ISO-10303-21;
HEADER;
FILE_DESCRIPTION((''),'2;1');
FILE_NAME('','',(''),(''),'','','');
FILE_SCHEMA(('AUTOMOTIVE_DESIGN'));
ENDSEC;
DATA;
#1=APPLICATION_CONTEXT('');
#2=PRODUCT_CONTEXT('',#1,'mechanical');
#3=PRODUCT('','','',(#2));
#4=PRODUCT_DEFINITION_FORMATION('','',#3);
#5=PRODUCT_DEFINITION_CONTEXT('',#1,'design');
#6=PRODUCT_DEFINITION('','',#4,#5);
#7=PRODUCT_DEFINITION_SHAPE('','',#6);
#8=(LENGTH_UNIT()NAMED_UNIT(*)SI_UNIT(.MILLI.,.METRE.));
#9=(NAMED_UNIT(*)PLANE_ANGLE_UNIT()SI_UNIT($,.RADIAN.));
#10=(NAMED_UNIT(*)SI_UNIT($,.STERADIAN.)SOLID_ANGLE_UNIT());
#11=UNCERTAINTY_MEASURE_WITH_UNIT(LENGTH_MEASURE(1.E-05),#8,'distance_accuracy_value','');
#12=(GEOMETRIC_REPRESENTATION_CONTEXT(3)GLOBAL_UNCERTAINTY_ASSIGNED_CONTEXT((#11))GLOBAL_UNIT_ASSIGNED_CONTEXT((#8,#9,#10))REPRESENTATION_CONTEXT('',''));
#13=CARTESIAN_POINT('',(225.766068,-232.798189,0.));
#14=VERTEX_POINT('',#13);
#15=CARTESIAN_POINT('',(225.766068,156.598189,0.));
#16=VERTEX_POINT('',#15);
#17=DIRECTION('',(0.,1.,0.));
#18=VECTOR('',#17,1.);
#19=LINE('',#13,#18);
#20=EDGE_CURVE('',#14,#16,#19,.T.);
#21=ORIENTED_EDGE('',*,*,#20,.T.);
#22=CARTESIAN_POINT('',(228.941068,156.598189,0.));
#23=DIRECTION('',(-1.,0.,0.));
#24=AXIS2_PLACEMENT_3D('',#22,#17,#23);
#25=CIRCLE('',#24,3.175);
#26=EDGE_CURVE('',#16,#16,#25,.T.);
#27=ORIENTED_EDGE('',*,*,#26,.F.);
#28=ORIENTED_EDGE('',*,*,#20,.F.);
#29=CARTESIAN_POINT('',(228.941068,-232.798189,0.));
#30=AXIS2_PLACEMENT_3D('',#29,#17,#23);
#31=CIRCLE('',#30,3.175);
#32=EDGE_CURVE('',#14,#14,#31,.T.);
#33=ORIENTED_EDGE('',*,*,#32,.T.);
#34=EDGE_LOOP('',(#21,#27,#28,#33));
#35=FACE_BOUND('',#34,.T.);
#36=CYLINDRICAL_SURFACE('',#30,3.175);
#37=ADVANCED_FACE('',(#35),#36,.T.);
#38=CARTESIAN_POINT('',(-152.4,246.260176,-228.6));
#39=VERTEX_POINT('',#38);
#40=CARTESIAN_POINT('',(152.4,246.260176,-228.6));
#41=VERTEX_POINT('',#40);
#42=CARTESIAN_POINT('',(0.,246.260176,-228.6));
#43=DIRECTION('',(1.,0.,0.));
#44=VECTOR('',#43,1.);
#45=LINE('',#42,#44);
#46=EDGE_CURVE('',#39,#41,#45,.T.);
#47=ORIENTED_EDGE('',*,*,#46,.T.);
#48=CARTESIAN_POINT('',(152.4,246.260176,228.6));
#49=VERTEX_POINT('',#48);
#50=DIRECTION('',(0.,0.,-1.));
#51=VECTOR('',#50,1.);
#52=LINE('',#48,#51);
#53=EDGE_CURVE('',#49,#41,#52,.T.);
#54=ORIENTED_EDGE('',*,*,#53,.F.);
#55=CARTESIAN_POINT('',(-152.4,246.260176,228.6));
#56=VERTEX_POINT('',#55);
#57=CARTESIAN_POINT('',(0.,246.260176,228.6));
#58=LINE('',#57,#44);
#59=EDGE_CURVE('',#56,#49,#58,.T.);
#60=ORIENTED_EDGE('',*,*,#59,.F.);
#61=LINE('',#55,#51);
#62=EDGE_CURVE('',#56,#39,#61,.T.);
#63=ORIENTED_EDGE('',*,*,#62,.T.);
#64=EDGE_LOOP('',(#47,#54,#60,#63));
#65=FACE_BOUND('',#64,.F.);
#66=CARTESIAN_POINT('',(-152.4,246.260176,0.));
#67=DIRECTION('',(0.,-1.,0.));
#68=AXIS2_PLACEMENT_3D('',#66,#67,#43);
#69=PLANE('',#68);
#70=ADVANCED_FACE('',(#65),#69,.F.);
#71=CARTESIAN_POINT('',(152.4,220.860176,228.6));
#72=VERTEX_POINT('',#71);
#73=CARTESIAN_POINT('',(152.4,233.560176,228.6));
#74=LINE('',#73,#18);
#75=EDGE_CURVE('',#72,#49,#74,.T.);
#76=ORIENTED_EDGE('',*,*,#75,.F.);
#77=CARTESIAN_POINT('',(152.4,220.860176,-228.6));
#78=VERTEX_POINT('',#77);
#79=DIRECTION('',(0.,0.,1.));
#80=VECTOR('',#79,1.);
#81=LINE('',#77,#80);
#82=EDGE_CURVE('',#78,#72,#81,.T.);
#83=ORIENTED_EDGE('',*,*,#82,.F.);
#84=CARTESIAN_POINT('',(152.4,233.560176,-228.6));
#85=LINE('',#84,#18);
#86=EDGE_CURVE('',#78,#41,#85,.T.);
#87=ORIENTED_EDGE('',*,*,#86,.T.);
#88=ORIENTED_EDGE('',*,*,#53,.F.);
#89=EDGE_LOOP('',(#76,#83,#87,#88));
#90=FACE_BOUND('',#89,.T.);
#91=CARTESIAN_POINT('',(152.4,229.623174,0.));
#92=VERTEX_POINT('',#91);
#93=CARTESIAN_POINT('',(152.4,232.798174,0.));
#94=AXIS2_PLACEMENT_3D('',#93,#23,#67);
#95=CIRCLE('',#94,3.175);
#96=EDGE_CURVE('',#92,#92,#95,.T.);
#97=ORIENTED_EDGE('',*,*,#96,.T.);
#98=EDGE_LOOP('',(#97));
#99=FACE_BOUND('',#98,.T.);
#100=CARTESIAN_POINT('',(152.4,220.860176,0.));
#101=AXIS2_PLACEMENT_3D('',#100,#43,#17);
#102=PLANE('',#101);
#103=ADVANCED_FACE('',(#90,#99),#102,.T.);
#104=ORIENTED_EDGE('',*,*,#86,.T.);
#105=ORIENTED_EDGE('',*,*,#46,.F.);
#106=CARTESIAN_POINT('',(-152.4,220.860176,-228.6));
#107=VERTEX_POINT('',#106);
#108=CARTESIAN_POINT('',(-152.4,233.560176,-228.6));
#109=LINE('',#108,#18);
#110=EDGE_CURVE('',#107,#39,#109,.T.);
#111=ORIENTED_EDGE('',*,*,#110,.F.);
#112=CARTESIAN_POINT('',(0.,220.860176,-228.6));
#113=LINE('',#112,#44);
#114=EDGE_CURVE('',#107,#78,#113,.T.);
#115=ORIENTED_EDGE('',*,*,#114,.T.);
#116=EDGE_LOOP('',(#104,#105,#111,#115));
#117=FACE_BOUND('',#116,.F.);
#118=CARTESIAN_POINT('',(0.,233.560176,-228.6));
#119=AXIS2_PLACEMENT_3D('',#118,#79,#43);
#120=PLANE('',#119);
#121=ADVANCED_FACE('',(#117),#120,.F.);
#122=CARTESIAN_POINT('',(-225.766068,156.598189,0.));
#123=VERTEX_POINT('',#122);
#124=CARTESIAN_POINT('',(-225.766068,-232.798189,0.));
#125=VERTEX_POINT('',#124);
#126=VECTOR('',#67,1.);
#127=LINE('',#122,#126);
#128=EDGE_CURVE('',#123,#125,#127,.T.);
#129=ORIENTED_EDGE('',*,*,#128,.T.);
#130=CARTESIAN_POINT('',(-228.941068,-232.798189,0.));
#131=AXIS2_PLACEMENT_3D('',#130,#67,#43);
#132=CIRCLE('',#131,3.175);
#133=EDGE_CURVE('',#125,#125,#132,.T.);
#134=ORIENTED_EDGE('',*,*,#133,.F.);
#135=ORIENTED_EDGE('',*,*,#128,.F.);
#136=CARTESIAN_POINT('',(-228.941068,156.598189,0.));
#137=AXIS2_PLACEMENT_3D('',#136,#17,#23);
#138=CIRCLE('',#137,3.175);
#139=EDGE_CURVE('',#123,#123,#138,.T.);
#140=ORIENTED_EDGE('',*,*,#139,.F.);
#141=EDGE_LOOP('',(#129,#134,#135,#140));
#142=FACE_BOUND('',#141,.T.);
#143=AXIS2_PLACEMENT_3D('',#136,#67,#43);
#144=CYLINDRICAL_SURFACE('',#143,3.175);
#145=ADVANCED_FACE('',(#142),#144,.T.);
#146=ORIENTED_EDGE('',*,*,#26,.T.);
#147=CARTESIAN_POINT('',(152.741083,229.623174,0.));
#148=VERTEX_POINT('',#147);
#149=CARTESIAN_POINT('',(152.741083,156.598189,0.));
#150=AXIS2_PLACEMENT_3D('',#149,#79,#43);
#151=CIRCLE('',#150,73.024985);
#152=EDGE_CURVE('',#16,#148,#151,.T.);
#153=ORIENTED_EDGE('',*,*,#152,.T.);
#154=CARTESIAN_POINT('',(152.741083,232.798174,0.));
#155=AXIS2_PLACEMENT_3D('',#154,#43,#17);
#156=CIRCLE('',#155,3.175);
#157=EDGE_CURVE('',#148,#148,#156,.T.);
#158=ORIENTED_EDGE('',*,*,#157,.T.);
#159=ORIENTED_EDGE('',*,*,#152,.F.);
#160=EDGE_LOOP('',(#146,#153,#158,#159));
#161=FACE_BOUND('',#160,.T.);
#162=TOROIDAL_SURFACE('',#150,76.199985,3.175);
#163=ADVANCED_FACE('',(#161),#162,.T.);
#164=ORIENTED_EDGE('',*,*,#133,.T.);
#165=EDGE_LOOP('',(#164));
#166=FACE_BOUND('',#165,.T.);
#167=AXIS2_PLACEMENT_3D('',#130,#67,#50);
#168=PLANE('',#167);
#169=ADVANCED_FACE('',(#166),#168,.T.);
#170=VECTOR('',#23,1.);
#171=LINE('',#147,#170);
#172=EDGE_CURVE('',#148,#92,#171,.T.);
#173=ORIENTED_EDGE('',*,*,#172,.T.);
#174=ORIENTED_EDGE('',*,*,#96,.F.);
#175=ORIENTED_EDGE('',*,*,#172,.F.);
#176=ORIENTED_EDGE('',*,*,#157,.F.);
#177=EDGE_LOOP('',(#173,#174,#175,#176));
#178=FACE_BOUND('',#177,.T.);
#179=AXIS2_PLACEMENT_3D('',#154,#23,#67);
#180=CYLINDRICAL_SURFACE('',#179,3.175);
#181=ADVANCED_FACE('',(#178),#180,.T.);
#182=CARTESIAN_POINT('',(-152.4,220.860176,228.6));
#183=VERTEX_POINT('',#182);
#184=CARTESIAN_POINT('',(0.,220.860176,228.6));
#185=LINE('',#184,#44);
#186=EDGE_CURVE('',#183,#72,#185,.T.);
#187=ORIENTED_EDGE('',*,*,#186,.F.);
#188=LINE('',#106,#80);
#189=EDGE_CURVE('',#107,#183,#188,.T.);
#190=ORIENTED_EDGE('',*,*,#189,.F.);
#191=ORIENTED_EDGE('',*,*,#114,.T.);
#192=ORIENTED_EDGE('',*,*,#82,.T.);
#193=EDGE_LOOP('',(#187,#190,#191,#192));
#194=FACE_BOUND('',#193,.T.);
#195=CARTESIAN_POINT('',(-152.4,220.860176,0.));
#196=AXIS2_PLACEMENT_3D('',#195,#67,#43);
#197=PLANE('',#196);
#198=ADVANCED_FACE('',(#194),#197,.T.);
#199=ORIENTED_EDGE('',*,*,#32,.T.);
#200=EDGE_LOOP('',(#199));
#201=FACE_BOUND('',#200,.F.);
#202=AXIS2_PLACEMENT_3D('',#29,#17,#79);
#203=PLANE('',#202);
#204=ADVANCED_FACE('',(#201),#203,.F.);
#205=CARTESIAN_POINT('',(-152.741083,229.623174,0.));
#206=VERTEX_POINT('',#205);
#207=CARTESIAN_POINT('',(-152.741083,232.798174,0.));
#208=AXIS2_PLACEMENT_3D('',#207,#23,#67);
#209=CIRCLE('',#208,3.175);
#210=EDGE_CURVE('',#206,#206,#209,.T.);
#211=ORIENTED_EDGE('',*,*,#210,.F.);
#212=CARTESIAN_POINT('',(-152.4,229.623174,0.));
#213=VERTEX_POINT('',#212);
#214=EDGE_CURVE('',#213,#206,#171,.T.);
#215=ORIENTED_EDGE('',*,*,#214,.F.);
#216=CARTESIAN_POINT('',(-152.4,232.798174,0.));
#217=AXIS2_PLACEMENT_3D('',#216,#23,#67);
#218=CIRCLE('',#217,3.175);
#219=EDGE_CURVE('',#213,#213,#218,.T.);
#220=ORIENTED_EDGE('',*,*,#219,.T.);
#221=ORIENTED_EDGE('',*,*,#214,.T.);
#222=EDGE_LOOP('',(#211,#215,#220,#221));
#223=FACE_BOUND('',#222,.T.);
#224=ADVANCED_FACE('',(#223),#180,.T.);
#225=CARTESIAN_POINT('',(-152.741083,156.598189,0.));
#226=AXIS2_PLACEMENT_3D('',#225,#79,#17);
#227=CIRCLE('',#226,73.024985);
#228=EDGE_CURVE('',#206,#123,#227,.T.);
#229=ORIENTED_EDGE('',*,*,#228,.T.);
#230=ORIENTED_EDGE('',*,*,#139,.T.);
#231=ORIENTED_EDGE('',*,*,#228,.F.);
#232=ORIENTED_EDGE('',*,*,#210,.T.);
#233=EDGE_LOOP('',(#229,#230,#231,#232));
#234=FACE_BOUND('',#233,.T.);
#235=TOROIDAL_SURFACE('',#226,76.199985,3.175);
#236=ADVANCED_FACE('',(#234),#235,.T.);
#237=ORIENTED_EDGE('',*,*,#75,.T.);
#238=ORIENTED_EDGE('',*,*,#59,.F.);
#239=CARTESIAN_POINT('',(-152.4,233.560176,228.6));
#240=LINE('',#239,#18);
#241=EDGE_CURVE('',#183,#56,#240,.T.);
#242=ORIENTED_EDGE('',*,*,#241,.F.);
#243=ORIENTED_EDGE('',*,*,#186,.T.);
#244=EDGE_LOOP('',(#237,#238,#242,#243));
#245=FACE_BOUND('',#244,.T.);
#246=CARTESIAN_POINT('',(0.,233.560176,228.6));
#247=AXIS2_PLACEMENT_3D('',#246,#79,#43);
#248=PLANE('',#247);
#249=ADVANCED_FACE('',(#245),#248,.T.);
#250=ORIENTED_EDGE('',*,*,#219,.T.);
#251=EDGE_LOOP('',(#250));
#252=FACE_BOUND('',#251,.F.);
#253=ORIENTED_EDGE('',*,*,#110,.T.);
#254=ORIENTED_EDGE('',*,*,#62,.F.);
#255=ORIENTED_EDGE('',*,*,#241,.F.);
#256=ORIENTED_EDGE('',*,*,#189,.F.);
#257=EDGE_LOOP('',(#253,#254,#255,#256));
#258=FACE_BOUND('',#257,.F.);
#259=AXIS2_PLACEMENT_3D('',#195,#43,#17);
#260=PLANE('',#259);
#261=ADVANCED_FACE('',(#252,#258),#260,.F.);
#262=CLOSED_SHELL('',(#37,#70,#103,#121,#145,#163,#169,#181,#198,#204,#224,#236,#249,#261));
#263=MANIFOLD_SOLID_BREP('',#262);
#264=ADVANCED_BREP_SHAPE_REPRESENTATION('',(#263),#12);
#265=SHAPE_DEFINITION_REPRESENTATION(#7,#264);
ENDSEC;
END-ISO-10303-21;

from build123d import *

# Parameters (mm, degrees)
F1_R     = 3.175
F3_W     = 304.8
F3_H     = 25.4
F4_DEPTH = 228.6


with BuildPart() as f2:
    # F2: sweep along a path in F0
    with BuildLine(Plane.XY) as f2_path:
        Line((228.9410829544, -232.7981889248), (228.9410829544, 156.5981889248))
        ThreePointArc((228.9410829544, 156.5981889248), (206.6226196808, 210.4797256512), (152.7410829544, 232.7981889248))
        Line((152.7410829544, 232.7981889248), (-152.7410829544, 232.7981889248))
        ThreePointArc((-152.7410829544, 232.7981889248), (-206.6226196808, 210.4797256512), (-228.9410829544, 156.5981889248))
        Line((-228.9410829544, 156.5981889248), (-228.9410829544, -232.7981889248))
    # F1 (on Front) → F2 (sweep)
    with BuildSketch(Plane.XZ):
        with Locations((-228.9410680532, 0)):
            Circle(F1_R)
    sweep(path=f2_path.line)

    # F3 (on Top) → F4 (join, symmetric)
    with BuildSketch(Plane.XY):
        with Locations((0, 233.5601756576)):
            Rectangle(F3_W, F3_H)
    extrude(amount=F4_DEPTH, both=True)


solid = f2.part
